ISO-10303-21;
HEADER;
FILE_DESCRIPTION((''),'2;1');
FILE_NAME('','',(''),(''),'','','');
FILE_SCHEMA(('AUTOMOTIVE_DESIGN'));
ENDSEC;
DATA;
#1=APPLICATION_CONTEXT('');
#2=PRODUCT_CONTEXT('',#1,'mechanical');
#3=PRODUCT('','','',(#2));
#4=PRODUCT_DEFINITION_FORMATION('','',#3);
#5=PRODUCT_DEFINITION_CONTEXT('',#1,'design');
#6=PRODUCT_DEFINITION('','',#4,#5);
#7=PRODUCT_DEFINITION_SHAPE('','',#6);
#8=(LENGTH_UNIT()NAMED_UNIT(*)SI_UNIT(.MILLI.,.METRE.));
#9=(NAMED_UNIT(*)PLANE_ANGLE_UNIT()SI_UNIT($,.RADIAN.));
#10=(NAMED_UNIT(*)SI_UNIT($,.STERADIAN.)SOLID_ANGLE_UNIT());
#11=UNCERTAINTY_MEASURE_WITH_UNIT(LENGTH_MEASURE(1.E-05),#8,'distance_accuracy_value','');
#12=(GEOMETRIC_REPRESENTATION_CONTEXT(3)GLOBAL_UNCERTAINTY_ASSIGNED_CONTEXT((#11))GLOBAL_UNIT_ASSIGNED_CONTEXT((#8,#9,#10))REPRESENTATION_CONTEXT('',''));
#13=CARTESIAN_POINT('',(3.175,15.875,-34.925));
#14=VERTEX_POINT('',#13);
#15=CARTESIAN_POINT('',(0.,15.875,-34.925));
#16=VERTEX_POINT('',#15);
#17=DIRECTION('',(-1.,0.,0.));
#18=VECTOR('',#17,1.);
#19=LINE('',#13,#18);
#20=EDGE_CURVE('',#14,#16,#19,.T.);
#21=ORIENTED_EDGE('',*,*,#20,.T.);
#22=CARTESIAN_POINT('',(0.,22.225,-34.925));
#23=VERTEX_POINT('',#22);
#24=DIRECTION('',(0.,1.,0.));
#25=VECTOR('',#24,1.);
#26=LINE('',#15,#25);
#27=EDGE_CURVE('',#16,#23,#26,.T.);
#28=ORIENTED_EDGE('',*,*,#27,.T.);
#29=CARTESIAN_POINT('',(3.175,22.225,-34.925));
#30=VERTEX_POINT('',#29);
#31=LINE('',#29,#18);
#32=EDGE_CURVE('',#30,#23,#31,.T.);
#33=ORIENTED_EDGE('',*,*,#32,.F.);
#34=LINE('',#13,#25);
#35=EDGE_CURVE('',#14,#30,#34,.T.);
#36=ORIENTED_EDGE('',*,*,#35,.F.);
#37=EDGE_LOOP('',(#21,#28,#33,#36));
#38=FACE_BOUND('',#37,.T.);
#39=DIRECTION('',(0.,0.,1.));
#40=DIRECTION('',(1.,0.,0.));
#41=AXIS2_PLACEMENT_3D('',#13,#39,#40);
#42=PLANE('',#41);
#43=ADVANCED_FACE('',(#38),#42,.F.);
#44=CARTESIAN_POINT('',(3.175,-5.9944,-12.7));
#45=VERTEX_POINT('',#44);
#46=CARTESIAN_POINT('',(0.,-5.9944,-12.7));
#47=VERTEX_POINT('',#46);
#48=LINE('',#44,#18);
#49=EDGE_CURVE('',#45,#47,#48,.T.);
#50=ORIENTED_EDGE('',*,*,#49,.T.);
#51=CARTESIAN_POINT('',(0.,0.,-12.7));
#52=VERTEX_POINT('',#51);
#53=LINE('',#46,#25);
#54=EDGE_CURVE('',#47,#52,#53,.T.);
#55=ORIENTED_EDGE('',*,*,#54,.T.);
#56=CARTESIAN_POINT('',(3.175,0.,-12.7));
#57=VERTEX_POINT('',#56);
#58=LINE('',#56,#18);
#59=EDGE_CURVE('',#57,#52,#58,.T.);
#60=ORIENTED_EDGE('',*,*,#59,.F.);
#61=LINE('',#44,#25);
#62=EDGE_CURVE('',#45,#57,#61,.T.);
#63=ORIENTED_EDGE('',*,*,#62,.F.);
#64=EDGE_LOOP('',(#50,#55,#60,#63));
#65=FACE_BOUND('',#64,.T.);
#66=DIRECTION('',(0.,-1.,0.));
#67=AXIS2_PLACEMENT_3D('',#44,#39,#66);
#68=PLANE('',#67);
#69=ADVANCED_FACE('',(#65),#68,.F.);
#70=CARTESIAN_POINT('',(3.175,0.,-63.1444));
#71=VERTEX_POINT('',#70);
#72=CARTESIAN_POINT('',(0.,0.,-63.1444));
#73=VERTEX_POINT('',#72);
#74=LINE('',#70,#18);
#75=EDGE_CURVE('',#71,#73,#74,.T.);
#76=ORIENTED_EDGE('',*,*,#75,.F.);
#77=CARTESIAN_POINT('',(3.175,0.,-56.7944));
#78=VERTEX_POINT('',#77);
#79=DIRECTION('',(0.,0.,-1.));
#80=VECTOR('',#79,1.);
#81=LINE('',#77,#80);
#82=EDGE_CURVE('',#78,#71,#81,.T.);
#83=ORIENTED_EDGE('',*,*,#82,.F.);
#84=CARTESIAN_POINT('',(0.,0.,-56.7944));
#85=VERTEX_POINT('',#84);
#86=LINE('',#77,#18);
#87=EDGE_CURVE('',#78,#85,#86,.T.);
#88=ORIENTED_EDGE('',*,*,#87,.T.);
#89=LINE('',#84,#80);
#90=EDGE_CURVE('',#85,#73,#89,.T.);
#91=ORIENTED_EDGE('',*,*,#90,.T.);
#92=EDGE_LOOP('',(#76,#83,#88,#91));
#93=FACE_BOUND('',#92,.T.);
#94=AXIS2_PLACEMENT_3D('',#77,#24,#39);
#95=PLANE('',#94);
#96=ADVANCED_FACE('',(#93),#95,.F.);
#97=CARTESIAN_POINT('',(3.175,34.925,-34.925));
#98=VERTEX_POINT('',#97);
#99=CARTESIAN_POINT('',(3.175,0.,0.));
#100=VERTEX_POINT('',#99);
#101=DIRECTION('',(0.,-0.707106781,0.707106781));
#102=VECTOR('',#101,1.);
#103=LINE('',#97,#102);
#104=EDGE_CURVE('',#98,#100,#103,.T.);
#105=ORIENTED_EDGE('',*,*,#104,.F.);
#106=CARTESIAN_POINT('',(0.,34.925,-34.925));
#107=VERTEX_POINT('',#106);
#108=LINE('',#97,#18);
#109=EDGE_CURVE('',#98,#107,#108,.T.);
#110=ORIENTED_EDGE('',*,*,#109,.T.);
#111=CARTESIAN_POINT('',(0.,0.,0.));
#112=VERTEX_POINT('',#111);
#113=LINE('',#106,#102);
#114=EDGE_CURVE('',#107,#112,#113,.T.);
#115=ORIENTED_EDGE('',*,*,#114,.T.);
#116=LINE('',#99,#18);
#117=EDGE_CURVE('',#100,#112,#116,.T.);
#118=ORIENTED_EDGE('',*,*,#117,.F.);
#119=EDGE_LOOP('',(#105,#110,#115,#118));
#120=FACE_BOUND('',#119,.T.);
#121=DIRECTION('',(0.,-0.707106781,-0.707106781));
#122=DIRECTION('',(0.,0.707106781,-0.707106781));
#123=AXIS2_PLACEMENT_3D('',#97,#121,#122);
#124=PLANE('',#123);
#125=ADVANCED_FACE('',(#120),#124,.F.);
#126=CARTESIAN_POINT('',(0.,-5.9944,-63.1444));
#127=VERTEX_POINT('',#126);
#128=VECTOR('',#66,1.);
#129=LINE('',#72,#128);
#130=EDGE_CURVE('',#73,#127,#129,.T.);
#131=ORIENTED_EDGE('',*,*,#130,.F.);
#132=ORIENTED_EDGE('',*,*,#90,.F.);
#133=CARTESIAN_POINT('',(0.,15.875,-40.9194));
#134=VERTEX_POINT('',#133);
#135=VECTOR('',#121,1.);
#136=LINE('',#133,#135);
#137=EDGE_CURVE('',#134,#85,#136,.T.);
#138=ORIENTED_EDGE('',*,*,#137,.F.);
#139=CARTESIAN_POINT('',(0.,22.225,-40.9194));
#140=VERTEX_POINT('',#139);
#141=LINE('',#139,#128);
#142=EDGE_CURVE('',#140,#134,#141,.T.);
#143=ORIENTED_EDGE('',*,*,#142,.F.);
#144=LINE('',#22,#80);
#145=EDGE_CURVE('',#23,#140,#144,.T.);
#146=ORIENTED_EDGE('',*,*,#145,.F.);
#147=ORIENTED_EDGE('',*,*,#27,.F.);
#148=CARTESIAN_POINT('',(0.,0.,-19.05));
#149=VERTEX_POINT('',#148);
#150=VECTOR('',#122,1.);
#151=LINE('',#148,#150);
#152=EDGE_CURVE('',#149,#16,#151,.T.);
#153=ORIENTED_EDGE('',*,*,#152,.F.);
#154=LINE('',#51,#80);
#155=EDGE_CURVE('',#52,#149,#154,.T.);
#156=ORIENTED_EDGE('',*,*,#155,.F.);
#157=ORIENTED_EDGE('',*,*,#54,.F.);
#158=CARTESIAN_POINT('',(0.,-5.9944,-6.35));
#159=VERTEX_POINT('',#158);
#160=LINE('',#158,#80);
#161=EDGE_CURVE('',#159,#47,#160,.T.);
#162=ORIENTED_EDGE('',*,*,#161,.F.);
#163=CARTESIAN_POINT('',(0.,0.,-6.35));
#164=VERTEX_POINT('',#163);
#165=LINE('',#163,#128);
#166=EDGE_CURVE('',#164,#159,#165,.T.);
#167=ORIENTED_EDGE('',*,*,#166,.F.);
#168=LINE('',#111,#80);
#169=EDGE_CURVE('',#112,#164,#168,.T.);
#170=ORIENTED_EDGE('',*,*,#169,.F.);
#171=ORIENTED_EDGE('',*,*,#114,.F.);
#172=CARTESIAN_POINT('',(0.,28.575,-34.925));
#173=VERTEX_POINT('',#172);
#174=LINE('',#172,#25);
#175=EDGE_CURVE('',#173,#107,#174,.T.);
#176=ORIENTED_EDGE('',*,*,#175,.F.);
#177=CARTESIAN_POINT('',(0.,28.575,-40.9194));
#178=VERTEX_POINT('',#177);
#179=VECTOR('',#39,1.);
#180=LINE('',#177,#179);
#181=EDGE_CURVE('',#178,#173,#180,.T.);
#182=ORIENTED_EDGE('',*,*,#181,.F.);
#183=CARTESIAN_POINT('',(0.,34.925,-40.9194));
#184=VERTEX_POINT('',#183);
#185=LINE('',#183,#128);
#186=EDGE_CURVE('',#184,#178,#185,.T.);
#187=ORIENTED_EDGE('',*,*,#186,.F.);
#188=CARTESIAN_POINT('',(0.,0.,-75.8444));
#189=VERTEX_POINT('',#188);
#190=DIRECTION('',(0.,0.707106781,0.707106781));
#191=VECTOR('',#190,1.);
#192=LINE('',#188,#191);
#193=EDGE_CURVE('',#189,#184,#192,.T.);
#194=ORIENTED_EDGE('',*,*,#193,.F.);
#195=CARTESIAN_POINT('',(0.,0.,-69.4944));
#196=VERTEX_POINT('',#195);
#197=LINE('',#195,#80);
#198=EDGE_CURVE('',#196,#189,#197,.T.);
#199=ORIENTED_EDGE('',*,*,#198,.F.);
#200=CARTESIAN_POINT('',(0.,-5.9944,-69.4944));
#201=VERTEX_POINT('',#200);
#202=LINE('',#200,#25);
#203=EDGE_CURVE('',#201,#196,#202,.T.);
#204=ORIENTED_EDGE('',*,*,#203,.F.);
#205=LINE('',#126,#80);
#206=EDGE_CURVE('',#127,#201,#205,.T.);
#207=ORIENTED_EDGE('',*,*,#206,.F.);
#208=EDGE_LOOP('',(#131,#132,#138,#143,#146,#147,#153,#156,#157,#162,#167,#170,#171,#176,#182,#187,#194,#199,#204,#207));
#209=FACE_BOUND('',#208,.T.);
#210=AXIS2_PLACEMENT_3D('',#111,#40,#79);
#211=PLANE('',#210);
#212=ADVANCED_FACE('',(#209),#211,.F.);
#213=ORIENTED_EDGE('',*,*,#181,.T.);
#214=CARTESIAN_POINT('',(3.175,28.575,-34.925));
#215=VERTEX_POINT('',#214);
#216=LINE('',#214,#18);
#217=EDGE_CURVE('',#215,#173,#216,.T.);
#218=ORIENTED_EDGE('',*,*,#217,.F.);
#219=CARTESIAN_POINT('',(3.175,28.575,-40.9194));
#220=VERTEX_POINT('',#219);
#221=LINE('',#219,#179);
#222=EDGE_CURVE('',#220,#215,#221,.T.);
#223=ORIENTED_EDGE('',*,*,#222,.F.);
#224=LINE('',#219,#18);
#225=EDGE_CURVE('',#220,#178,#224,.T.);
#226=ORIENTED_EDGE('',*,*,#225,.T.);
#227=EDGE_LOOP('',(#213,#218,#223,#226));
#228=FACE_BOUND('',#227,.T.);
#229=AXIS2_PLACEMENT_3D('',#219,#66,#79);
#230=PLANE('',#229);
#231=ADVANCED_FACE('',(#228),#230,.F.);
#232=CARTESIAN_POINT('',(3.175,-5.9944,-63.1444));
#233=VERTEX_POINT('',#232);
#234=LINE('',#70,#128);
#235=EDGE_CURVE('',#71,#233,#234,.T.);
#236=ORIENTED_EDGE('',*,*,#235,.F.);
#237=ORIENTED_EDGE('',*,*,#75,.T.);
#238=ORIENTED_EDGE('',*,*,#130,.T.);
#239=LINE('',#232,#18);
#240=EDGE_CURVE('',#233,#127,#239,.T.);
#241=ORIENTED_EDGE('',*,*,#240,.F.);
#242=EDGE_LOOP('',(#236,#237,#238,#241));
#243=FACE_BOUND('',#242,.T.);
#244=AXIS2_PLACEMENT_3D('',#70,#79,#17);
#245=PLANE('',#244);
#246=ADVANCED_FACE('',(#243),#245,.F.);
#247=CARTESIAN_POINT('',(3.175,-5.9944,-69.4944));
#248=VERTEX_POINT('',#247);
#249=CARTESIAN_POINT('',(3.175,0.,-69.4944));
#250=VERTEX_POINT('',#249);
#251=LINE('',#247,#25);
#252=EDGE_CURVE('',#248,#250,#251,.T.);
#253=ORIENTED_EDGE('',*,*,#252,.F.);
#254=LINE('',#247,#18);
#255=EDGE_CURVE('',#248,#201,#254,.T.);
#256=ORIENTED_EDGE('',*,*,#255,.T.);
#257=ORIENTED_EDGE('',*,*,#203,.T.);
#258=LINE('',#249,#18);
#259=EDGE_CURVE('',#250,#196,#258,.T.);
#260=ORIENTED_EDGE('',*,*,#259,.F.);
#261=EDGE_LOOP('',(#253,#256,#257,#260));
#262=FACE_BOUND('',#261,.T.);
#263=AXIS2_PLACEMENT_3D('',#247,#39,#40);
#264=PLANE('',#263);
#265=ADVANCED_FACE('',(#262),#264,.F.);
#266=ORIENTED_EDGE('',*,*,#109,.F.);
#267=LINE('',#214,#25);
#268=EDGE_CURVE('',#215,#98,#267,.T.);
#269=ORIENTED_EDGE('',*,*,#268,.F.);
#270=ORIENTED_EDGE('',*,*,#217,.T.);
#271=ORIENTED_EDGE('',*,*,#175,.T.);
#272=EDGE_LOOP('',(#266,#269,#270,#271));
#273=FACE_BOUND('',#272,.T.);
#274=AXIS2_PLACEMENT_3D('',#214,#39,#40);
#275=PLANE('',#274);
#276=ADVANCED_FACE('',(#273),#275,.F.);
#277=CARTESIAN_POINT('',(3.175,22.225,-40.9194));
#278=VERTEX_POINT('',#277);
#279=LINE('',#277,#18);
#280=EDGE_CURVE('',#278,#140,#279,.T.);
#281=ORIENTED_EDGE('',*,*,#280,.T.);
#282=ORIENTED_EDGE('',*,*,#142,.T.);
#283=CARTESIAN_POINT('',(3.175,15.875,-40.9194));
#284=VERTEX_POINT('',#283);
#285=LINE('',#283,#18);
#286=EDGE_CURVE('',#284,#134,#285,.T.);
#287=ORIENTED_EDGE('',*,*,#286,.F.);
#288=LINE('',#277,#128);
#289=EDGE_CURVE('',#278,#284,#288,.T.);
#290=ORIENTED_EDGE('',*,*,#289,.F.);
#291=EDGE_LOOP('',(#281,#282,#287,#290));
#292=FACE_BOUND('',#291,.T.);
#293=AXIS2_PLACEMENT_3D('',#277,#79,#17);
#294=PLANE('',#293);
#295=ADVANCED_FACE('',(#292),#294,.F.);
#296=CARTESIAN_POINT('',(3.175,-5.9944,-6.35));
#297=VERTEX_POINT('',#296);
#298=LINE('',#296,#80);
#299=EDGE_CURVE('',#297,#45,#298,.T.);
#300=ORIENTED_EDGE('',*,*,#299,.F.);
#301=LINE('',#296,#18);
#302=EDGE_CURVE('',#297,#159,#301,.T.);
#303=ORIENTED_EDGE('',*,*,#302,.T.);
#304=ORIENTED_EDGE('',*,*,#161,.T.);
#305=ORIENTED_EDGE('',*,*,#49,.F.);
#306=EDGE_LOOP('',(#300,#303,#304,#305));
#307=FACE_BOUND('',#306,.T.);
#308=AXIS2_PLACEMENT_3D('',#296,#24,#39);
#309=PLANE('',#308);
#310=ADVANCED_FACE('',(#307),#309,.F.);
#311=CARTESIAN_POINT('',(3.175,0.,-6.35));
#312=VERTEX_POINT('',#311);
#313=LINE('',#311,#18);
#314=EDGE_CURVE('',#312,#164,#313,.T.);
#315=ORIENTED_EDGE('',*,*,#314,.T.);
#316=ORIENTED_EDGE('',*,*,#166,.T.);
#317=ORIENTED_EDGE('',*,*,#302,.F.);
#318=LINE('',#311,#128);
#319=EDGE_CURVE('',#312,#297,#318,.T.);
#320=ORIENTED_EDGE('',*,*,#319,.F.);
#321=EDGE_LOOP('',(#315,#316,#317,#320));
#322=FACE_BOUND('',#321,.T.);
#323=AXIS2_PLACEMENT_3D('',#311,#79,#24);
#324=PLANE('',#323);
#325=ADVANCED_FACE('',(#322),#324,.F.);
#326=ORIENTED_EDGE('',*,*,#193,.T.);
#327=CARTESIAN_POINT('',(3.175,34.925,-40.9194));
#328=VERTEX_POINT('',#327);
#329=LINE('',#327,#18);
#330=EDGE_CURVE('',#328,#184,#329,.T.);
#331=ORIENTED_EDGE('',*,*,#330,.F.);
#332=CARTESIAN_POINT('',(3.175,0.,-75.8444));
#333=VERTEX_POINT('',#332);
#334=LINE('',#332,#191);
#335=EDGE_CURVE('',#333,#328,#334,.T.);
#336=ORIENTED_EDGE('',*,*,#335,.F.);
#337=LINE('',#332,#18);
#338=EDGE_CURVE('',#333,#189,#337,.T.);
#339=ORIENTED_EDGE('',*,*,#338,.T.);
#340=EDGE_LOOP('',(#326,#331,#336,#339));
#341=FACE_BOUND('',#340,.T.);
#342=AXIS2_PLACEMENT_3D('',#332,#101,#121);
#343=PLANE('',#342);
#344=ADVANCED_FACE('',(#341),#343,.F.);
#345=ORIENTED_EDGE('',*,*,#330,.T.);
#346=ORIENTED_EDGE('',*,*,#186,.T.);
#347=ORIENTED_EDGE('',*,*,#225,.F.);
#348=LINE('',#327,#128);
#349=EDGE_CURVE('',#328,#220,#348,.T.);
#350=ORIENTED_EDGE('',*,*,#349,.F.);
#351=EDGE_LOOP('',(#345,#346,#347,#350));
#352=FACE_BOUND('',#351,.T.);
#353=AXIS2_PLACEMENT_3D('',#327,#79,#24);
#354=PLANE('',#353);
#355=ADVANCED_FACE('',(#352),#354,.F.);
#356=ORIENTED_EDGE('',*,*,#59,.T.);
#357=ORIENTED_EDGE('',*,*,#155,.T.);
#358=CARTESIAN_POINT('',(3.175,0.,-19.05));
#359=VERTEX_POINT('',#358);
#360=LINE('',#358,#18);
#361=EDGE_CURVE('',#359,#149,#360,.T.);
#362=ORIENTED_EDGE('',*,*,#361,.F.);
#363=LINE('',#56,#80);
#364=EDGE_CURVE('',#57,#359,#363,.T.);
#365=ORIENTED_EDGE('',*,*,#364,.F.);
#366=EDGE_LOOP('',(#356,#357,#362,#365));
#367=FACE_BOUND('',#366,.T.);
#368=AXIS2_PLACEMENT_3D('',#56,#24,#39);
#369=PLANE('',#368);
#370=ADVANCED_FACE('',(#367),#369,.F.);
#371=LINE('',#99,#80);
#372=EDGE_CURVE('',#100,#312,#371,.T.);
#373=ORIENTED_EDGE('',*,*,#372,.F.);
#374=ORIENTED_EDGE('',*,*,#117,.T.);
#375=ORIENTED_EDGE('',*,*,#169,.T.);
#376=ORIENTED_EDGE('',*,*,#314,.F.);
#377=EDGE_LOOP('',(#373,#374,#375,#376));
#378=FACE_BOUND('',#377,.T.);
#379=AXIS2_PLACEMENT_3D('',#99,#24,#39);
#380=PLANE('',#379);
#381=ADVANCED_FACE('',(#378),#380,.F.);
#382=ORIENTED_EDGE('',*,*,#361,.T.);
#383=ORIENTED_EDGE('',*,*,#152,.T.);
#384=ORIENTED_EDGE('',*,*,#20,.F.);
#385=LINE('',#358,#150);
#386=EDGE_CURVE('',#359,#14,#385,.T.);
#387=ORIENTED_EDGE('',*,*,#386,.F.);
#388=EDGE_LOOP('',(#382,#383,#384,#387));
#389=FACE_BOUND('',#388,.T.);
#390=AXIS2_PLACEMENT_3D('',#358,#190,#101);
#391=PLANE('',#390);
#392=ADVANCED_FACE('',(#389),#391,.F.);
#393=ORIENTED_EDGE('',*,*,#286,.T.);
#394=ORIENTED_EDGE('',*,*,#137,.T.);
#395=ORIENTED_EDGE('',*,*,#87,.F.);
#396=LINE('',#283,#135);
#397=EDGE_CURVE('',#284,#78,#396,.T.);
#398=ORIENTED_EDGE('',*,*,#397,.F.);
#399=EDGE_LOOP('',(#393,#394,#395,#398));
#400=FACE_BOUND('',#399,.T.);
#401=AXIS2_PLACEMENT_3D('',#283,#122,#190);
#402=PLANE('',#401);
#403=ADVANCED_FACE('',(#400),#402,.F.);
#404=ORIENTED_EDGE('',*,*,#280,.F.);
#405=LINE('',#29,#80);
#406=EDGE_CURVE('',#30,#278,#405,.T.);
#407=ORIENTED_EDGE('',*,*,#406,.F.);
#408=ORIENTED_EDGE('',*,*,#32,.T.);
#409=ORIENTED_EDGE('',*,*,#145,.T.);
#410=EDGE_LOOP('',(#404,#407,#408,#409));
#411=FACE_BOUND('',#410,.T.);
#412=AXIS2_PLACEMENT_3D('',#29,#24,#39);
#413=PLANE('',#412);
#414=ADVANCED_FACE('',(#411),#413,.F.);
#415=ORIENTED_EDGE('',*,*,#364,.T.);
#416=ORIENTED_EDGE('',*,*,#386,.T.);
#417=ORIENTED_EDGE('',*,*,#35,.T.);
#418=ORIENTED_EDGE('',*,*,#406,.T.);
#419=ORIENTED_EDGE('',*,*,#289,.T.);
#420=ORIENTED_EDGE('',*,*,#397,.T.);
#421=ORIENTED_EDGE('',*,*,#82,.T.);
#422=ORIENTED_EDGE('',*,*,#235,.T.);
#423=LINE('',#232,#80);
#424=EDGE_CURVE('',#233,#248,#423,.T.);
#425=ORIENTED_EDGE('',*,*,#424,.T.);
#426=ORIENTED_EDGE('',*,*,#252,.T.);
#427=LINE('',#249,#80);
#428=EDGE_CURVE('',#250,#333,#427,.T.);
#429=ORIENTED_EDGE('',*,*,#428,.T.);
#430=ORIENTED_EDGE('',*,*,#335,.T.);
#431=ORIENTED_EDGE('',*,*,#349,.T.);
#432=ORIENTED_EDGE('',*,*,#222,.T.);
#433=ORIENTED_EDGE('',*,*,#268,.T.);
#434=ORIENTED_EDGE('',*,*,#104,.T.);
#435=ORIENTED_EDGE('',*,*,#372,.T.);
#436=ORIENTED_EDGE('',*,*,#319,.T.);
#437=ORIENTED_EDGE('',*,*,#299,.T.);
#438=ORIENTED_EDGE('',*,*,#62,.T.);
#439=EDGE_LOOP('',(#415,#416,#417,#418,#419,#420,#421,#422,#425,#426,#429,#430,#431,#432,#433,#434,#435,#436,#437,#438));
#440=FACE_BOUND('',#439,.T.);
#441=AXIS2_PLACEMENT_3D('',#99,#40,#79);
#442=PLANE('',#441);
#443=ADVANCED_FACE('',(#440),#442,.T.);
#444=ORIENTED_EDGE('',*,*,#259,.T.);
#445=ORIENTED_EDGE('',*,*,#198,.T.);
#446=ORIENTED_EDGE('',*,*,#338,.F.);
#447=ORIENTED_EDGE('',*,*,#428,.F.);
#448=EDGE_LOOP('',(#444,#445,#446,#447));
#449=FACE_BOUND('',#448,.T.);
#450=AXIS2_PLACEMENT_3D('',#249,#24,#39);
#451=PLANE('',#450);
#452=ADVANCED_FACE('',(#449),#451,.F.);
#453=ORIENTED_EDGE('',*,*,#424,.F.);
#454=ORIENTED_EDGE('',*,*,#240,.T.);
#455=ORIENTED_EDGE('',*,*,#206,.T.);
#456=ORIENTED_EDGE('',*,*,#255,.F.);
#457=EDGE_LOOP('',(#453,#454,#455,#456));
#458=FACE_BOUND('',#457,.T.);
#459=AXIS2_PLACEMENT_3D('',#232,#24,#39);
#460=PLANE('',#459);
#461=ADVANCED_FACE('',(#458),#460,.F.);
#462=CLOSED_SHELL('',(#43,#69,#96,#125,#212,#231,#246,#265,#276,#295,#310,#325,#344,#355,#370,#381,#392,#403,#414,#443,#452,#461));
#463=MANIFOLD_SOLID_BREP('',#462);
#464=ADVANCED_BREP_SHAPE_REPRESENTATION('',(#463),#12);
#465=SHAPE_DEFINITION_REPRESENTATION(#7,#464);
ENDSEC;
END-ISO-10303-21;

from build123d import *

# Parameters (mm, degrees)
BOSS_EXTRUDE1_DEPTH = 3.175


with BuildPart() as part:
    # Sketch1 → Boss-Extrude1 (new body)
    with BuildSketch(Plane(origin=(0, 0, 0), x_dir=(0, 0, -1), z_dir=(1, 0, 0))):
        Polygon((0, 0), (6.35, 0), (6.35, -5.9944), (12.7, -5.9944), (12.7, 0), (19.05, 0), (34.925, 15.875), (34.925, 22.225), (40.9194, 22.225), (40.9194, 15.875), (56.7944, 0), (63.1444, 0), (63.1444, -5.9944), (69.4944, -5.9944), (69.4944, 0), (75.8444, 0), (40.9194, 34.925), (40.9194, 28.575), (34.925, 28.575), (34.925, 34.925), align=None)
    extrude(amount=BOSS_EXTRUDE1_DEPTH)


solid = part.part
